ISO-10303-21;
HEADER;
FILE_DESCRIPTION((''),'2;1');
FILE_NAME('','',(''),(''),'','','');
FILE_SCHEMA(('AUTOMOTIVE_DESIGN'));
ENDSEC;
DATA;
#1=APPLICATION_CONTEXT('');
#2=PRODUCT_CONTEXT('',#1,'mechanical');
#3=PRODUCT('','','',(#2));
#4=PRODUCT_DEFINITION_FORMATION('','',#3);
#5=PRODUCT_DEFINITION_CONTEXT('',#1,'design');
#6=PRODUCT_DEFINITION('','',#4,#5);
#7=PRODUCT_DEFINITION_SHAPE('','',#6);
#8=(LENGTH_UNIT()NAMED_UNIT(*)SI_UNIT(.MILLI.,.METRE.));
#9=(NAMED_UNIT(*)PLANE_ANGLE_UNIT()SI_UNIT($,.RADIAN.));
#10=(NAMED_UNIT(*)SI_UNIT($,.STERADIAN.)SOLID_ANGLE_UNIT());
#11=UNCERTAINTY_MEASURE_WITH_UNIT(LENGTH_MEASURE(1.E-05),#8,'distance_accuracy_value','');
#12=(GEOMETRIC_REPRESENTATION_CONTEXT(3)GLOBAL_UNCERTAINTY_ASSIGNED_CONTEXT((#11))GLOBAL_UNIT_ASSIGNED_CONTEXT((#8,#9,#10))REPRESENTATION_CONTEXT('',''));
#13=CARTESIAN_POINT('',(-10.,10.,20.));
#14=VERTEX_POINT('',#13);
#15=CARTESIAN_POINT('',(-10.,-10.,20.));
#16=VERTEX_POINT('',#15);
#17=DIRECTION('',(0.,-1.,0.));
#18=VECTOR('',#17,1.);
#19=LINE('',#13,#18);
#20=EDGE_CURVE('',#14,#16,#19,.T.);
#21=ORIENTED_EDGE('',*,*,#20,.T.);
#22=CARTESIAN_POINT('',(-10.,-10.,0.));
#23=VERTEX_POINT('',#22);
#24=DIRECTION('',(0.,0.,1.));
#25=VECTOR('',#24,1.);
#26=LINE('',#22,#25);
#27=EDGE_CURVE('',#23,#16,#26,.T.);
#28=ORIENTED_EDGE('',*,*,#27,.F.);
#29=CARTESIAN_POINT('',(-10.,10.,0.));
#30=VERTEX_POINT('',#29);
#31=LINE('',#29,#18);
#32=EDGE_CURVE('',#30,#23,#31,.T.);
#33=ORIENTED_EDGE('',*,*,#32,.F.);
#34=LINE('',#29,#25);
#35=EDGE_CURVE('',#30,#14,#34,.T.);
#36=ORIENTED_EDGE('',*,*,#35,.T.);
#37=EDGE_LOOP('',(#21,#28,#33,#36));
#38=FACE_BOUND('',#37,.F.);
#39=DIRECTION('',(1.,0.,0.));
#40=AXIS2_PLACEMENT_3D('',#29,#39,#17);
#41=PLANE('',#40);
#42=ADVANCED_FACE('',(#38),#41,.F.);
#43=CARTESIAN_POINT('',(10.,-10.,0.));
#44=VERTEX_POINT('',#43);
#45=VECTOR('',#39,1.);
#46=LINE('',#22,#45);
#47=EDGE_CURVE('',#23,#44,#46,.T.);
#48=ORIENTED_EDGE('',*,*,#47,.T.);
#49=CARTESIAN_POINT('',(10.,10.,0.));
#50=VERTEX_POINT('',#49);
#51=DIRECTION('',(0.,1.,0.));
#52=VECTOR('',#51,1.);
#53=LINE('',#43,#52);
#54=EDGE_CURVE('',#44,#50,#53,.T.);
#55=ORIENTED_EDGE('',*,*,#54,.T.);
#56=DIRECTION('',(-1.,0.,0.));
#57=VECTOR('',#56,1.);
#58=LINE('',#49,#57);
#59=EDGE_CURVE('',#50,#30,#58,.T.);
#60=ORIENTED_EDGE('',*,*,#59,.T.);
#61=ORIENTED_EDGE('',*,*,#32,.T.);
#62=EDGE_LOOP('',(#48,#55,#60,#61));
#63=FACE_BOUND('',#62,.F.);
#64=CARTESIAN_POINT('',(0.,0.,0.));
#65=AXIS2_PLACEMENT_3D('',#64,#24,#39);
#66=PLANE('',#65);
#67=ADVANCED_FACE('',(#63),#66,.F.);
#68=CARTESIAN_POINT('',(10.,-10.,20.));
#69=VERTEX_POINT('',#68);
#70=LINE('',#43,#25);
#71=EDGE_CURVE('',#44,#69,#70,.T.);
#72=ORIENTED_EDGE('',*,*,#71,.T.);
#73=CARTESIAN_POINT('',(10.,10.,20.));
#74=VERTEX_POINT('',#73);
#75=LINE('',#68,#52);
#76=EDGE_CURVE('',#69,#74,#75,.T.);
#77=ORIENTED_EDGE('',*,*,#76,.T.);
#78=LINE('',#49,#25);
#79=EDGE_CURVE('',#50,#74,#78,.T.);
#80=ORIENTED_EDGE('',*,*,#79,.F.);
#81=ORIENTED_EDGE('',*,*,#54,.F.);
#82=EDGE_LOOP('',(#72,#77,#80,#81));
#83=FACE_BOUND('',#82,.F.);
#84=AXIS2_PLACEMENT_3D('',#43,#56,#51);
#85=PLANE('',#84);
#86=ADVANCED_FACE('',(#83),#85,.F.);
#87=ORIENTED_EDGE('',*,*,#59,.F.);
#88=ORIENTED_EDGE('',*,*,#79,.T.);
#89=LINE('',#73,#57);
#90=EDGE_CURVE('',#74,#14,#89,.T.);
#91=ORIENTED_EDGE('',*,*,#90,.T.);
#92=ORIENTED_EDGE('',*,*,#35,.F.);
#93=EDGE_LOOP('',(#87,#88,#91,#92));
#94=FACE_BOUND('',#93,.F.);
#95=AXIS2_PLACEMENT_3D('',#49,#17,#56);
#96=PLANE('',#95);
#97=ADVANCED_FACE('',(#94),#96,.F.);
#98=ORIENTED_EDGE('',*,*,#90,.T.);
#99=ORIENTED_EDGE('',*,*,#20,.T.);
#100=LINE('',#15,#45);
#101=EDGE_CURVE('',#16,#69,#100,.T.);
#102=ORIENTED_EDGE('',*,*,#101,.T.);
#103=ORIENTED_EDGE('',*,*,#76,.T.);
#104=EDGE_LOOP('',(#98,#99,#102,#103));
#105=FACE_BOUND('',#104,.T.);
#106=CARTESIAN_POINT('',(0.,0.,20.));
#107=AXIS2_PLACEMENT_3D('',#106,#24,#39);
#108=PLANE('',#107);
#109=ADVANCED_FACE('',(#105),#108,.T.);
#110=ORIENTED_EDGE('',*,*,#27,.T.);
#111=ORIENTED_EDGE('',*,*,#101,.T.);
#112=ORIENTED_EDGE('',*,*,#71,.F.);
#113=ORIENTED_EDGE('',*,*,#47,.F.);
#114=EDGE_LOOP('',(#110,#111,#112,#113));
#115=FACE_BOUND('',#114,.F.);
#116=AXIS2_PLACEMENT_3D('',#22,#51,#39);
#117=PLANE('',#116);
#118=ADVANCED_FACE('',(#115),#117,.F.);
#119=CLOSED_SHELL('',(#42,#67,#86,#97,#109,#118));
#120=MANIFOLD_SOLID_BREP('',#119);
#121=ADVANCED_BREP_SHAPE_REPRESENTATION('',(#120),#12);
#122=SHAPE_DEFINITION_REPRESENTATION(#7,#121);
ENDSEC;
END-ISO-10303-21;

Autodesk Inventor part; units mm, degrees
ref_plane "YZ Plane" through (0, 0, 0) normal (1, 0, 0) x (0, 1, 0)
ref_plane "XZ Plane" through (0, 0, 0) normal (0, 1, 0) x (-1, 0, 0)
ref_plane "XY Plane" through (0, 0, 0) normal (0, 0, 1) x (1, 0, 0)
sketch "Esboço1" plane through (0, 0, 0) normal (0, 0, 1) x (1, 0, 0)
  line L0 (10, 10) -> (-10, 10)
  line L1 (-10, 10) -> (-10, -10)
  line L2 (-10, -10) -> (10, -10)
  line L3 (10, -10) -> (10, 10)
  line L4 (10, 10) -> (-10, -10) construction
  line L5 (-10, 10) -> (10, -10) construction
  point P0 (0, 0)
  dimension "d0" = 20
  dimension "d1" = 20
extrude "Extrusão1" add sketch "Esboço1" along normal blind 20
properties part number "cubo20"
